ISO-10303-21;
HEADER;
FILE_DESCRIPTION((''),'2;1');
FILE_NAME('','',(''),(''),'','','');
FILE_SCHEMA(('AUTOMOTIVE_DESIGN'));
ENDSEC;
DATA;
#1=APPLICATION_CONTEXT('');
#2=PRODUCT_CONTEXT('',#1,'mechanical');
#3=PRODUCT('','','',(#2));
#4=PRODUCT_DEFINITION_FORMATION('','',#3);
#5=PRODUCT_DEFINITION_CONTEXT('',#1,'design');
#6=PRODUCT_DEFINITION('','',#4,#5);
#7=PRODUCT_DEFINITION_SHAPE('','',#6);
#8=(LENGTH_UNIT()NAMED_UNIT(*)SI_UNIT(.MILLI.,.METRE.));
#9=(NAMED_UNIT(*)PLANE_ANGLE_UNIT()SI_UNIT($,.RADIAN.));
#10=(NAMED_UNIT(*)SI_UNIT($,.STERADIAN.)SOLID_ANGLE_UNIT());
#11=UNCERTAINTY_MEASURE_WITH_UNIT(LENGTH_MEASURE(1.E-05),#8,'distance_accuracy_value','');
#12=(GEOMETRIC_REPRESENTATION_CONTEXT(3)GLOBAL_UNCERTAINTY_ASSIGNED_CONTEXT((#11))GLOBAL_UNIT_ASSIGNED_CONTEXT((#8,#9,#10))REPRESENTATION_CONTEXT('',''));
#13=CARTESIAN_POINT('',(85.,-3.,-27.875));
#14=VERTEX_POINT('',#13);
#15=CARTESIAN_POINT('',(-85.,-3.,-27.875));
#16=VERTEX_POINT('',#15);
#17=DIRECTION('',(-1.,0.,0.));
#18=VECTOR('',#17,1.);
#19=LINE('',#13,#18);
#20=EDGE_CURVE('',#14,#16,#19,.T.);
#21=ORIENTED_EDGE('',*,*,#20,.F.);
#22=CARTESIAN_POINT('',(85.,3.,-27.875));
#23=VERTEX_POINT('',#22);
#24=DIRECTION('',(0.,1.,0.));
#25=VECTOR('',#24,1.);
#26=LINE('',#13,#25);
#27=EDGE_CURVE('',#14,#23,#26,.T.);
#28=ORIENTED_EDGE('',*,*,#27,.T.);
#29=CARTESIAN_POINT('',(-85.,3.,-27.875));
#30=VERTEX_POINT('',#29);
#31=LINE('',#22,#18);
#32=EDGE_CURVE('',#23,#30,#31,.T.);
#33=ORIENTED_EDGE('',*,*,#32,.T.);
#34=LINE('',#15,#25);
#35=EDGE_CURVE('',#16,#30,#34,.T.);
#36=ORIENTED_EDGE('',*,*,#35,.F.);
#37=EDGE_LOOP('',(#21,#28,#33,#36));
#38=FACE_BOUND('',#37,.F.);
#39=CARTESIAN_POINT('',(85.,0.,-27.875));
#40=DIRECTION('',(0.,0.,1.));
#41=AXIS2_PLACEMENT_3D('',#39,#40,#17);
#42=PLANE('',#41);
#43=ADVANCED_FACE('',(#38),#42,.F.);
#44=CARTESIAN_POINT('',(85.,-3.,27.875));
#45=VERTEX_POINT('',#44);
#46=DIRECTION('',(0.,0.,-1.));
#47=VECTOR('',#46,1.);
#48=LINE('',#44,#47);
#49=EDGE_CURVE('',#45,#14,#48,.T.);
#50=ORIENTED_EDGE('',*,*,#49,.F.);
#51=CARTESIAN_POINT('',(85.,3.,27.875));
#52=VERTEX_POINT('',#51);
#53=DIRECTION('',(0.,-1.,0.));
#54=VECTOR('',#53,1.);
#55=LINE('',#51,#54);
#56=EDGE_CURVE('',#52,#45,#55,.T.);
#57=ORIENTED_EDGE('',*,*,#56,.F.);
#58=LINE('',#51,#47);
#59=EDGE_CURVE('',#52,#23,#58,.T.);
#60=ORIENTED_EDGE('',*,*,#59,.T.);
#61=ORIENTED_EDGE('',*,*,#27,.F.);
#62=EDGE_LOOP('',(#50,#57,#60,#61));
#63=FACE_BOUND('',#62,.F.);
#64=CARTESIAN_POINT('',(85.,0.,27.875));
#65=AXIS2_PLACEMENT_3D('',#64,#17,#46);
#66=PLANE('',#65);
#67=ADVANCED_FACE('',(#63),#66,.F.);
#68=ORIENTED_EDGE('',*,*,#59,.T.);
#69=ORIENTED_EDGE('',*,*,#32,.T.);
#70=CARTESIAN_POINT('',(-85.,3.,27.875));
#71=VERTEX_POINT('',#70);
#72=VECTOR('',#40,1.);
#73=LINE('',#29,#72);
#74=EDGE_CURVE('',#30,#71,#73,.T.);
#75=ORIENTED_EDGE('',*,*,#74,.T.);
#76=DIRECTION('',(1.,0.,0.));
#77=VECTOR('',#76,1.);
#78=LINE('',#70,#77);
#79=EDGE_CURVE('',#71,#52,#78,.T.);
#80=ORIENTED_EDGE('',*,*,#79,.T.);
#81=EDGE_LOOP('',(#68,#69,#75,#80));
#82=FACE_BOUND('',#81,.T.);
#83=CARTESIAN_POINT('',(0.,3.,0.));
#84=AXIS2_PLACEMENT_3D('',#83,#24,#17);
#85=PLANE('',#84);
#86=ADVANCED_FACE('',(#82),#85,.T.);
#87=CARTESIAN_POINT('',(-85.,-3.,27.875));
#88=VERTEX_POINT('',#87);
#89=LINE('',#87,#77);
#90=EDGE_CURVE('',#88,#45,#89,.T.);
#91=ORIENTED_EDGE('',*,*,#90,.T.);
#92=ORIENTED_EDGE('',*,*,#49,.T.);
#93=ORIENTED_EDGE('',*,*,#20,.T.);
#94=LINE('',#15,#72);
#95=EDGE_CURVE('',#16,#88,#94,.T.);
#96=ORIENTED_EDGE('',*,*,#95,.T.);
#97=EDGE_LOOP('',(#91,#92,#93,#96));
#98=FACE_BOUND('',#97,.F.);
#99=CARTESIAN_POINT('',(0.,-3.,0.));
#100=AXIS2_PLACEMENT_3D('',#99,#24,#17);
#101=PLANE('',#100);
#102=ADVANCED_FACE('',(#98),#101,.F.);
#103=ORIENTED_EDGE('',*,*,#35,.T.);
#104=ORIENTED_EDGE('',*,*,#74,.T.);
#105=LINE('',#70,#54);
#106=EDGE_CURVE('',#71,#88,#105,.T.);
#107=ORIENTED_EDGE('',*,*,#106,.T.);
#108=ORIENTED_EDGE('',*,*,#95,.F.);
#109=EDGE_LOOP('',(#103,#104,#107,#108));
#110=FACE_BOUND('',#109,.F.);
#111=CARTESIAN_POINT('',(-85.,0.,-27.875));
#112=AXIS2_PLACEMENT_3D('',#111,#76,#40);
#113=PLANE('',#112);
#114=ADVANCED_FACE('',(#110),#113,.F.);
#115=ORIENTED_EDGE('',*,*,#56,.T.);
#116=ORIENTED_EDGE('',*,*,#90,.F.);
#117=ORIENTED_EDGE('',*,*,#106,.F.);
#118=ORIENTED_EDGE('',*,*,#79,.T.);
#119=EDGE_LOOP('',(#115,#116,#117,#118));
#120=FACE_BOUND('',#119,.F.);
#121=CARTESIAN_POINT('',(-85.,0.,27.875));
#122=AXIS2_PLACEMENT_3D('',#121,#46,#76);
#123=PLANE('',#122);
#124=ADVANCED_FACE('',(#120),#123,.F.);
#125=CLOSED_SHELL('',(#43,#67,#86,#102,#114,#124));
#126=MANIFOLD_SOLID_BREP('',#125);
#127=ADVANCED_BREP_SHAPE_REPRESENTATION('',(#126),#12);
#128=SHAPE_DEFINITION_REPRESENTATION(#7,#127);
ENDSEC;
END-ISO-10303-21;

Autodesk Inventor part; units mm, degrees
ref_plane "YZ Plane" through (0, 0, 0) normal (1, 0, 0) x (0, 1, 0)
ref_plane "XZ Plane" through (0, 0, 0) normal (0, 1, 0) x (-1, 0, 0)
ref_plane "XY Plane" through (0, 0, 0) normal (0, 0, 1) x (1, 0, 0)
sketch "Szkic1" plane through (0, 0, 0) normal (0, 1, 0) x (-1, 0, 0)
  line L0 (-85, -27.875) -> (85, -27.875)
  line L1 (85, -27.875) -> (85, 27.875)
  line L2 (85, 27.875) -> (-85, 27.875)
  line L3 (-85, 27.875) -> (-85, -27.875)
  line L4 (-85, -27.875) -> (85, 27.875) construction
  line L5 (85, -27.875) -> (-85, 27.875) construction
  point P0 (0, 0)
  dimension "d0" = 170
  dimension "d1" = 55.75
extrude "Wyciągnięcie proste1" add sketch "Szkic1" along normal mid plane 6
properties part number "bepf_platforma_wypelnienie_polka_gorna" material "Tworzywo o ultrawysokiej masie cząsteczkowej, białe"
